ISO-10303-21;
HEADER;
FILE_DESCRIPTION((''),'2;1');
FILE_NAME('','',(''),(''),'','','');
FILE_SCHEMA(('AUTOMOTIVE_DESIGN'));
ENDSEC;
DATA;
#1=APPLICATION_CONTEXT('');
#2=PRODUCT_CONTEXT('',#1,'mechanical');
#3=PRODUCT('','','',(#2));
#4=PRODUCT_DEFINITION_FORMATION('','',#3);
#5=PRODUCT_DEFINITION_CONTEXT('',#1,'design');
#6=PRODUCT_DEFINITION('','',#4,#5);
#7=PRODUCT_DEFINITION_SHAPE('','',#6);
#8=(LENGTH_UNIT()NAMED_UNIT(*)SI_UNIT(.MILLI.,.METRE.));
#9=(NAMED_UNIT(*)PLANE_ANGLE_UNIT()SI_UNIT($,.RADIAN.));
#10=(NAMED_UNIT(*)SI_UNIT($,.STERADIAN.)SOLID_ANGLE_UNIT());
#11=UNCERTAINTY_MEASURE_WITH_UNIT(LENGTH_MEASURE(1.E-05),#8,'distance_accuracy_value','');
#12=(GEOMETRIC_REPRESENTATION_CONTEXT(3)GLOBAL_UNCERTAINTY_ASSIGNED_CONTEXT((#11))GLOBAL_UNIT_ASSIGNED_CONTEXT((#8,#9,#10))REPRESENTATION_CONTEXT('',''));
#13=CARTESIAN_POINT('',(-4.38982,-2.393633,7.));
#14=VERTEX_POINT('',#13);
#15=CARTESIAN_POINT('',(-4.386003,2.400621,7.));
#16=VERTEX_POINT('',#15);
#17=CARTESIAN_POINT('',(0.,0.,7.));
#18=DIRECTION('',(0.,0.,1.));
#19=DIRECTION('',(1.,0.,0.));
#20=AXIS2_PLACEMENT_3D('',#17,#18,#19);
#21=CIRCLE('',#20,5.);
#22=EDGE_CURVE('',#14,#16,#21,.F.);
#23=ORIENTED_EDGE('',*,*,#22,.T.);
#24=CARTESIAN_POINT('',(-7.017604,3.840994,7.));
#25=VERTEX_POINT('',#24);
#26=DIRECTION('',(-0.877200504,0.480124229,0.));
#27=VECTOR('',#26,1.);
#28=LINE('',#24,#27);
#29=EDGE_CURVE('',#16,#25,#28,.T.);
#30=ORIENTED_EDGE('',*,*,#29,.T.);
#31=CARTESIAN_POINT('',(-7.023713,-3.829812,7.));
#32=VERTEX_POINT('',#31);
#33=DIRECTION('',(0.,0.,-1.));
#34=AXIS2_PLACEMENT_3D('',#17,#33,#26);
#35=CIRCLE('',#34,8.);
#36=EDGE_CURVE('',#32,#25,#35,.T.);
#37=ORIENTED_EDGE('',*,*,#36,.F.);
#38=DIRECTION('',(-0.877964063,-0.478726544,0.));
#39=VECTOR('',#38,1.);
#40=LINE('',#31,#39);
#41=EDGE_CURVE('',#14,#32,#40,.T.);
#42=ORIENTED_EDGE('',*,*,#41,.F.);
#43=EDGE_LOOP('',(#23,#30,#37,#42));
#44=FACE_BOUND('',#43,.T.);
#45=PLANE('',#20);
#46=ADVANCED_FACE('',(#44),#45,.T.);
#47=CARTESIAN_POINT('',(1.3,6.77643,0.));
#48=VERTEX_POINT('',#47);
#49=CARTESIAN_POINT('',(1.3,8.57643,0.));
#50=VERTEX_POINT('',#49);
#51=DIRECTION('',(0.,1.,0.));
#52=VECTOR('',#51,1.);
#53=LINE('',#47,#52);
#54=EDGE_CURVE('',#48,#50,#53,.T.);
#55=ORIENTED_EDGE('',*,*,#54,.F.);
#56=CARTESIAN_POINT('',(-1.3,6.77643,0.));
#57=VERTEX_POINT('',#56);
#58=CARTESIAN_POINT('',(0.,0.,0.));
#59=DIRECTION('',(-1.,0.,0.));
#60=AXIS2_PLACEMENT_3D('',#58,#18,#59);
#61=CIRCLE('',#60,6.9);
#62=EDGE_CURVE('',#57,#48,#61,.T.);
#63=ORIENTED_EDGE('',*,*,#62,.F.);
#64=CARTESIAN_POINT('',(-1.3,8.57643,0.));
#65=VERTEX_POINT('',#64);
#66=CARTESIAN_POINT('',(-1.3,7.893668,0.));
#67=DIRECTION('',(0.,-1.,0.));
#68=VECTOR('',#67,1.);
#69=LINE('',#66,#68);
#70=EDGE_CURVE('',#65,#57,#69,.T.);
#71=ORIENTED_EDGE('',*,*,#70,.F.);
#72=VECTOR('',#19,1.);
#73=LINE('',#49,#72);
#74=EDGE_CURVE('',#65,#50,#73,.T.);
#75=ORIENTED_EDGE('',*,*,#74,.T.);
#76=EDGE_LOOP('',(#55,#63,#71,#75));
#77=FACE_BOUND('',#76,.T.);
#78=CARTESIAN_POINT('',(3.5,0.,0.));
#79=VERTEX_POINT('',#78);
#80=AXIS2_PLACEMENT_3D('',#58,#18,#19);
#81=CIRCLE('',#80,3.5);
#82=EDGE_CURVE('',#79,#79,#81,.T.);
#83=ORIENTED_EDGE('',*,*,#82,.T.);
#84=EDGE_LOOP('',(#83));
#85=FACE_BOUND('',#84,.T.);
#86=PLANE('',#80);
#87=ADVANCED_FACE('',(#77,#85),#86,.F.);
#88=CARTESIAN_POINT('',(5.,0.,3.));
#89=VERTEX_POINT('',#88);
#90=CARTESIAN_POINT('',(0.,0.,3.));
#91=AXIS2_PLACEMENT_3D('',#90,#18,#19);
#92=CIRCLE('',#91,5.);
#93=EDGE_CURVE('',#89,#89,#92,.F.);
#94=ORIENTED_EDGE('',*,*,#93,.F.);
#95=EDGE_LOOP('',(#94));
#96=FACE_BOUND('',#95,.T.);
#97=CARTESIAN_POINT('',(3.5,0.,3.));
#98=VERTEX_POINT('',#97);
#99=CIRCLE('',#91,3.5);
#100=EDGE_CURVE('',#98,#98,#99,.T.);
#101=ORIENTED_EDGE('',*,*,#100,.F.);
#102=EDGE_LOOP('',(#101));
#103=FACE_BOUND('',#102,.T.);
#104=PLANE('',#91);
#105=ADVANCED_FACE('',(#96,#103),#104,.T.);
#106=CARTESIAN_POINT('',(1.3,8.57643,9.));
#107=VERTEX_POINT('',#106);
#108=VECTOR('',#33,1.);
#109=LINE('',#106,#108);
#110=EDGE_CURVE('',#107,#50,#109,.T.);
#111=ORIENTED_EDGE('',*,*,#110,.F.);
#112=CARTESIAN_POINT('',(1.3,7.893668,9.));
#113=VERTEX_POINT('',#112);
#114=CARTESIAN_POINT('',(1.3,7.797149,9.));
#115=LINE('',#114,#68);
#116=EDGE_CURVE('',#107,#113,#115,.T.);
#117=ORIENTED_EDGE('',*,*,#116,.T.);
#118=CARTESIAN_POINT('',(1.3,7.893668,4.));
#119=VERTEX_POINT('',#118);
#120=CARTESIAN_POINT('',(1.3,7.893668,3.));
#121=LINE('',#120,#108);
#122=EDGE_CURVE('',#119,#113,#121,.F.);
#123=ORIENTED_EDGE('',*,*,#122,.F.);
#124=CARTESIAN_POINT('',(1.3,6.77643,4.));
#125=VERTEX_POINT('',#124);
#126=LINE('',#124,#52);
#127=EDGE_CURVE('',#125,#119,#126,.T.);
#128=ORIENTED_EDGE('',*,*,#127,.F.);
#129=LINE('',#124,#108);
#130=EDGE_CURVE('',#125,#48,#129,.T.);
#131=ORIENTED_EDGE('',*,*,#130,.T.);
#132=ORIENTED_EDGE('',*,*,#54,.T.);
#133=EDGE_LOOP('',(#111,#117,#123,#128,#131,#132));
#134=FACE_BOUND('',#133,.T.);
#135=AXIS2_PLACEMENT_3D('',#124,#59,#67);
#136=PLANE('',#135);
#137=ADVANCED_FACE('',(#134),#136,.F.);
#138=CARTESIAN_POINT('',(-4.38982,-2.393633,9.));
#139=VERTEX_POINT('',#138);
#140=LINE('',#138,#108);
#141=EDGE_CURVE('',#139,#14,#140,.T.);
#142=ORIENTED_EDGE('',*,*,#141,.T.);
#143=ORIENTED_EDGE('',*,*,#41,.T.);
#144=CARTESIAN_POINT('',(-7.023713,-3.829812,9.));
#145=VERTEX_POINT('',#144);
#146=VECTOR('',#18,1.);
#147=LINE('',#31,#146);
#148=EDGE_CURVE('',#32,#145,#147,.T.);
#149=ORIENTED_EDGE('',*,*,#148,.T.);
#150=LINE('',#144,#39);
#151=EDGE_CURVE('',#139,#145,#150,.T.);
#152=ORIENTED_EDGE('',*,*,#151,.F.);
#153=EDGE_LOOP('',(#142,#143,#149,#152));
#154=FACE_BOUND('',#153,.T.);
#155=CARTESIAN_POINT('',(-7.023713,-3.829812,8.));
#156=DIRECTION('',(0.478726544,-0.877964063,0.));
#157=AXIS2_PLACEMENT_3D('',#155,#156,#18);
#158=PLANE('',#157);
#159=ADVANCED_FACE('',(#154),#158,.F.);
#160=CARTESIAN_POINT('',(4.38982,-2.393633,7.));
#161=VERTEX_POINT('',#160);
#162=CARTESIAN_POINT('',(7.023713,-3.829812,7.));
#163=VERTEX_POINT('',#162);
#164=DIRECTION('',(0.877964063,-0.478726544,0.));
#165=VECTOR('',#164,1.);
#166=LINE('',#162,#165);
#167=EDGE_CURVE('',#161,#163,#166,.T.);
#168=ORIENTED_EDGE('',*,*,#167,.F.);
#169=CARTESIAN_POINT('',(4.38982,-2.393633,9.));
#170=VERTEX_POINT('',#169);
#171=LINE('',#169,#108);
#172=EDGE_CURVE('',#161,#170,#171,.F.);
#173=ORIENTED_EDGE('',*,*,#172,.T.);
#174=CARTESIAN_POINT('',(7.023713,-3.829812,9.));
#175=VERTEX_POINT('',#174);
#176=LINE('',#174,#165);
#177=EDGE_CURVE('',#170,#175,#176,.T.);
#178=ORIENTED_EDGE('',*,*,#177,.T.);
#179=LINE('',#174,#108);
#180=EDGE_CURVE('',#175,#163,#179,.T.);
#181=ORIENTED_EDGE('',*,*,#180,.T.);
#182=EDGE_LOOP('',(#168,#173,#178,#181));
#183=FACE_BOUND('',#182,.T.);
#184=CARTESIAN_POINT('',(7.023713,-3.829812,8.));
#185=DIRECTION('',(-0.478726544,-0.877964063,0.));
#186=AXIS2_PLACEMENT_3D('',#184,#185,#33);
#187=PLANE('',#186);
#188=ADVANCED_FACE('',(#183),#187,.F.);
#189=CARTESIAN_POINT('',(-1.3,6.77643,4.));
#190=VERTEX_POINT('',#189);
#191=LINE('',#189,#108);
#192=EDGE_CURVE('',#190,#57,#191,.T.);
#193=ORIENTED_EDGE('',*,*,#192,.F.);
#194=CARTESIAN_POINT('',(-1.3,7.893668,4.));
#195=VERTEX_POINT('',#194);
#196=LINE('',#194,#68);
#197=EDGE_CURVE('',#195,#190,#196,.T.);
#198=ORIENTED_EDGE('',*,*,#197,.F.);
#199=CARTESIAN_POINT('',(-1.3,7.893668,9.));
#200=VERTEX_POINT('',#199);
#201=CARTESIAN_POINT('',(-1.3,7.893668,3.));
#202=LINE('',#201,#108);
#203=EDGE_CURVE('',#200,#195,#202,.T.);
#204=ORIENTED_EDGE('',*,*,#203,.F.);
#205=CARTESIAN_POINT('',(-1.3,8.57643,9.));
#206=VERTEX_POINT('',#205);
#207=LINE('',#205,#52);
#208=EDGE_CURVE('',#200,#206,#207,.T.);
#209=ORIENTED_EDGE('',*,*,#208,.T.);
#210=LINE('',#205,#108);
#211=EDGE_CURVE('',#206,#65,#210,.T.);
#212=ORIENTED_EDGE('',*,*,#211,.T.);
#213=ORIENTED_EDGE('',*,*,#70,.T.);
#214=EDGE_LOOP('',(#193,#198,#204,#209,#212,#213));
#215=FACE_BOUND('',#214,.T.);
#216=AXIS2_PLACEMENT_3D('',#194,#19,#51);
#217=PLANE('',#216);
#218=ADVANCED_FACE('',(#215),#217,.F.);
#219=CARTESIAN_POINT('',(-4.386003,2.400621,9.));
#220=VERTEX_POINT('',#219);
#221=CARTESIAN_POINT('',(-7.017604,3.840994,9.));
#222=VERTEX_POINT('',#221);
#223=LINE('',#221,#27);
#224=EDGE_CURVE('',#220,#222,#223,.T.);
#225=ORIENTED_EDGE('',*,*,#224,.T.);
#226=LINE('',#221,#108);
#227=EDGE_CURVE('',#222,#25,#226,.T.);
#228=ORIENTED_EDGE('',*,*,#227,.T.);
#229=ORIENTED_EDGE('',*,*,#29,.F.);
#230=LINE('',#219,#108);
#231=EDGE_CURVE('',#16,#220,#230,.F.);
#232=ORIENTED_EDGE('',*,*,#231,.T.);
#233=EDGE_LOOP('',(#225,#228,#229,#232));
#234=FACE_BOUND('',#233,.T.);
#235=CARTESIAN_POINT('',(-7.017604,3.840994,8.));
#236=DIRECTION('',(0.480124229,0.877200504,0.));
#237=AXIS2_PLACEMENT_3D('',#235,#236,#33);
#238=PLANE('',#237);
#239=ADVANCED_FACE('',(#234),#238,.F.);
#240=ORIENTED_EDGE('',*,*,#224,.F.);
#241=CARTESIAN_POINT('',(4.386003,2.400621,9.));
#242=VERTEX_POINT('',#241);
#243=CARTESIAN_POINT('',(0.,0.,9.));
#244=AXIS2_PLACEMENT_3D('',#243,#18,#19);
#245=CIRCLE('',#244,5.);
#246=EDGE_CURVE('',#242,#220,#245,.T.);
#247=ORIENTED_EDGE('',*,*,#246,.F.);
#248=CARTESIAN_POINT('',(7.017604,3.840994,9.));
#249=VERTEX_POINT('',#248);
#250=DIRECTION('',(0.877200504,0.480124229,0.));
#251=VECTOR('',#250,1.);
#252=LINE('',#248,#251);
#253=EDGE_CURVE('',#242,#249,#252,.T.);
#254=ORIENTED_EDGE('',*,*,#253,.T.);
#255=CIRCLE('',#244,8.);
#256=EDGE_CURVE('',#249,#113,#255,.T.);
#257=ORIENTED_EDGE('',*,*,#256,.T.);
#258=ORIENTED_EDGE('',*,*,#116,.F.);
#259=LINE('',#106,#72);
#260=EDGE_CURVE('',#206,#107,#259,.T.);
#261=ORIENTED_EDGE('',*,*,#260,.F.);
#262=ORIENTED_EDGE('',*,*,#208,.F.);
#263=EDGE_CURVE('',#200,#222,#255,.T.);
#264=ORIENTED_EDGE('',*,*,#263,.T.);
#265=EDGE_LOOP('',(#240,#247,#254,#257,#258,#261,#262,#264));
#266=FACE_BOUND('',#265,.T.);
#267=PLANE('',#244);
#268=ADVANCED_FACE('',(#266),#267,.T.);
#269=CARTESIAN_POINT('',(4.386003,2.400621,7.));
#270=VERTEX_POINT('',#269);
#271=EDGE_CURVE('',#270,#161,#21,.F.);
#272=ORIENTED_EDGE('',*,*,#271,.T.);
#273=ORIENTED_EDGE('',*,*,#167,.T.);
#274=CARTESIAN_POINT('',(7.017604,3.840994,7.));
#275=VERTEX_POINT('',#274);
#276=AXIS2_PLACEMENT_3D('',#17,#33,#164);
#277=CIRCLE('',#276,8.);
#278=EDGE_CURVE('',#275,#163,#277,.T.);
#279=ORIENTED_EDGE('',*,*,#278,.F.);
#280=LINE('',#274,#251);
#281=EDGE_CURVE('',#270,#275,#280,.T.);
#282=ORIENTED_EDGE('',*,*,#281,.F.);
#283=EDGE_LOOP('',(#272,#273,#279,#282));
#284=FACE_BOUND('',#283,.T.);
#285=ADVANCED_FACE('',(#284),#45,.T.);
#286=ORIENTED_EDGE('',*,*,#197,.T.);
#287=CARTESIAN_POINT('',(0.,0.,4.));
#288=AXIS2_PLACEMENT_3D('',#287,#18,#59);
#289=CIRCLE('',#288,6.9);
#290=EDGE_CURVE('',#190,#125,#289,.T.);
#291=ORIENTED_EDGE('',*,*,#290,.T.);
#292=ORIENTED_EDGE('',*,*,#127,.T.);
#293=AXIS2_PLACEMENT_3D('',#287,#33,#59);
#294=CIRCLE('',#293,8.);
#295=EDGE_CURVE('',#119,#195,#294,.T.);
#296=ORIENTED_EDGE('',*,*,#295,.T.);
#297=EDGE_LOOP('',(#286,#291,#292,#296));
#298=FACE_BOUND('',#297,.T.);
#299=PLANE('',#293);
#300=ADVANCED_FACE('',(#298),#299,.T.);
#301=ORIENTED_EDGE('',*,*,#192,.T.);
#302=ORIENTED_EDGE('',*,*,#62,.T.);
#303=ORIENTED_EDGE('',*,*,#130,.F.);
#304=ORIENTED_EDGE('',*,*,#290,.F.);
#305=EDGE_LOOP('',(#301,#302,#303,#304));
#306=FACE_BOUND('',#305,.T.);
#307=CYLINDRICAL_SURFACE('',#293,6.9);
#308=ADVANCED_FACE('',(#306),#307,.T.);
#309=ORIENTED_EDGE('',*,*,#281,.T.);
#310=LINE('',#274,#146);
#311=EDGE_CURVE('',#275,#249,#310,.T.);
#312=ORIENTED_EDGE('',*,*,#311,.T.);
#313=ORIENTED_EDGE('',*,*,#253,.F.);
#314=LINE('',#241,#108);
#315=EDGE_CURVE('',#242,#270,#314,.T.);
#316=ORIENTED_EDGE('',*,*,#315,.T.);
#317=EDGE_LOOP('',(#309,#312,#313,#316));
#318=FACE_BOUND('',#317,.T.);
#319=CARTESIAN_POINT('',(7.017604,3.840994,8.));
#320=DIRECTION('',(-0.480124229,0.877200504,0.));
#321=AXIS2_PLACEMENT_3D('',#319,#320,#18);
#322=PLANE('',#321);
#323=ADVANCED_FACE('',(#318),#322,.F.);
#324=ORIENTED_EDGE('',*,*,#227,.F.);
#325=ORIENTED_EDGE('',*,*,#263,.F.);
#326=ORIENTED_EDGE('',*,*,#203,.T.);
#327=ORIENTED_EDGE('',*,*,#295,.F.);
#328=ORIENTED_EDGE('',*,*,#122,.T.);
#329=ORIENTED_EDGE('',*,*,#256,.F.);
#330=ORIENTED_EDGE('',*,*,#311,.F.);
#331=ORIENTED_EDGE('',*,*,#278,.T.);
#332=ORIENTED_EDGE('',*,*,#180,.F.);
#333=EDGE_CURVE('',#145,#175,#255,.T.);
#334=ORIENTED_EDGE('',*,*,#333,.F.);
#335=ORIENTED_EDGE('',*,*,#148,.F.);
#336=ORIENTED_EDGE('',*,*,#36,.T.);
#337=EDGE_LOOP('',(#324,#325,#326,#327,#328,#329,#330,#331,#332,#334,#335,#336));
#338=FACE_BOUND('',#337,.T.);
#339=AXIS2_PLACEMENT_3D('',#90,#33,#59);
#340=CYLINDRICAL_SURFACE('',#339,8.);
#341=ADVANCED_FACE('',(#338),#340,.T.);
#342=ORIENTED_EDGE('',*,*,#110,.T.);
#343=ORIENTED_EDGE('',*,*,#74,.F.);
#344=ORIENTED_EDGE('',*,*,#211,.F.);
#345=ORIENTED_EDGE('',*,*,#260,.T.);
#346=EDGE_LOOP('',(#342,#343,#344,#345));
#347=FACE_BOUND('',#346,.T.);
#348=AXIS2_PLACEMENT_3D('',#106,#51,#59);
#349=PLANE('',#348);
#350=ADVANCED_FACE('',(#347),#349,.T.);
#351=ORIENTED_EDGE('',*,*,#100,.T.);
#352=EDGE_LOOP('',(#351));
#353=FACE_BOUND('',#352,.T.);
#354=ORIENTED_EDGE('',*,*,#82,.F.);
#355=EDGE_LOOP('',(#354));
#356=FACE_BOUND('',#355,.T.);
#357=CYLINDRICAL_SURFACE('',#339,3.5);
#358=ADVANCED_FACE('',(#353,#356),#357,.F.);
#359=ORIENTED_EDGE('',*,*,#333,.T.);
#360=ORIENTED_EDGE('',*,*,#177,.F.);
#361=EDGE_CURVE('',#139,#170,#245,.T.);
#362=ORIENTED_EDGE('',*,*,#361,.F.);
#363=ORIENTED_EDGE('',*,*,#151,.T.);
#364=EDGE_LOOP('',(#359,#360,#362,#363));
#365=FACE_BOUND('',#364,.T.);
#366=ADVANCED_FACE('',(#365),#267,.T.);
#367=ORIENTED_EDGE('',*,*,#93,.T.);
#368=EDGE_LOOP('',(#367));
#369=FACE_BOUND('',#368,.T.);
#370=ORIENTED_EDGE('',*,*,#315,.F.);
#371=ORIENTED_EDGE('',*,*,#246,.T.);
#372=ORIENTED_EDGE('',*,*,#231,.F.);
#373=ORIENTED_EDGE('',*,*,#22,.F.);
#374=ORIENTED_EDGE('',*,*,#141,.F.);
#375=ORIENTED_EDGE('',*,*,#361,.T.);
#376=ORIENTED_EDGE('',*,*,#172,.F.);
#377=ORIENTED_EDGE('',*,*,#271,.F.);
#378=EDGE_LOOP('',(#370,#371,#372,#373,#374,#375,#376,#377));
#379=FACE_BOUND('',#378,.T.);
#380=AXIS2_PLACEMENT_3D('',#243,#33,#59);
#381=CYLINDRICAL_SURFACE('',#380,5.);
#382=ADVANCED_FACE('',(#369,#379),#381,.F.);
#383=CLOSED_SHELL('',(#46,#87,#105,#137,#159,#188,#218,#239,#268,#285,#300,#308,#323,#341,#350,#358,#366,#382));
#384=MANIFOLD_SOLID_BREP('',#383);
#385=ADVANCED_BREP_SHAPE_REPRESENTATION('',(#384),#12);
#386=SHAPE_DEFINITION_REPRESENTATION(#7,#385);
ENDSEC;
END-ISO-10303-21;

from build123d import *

# Parameters (mm, degrees)
SKETCH1_R                = 8
SKETCH1_R_2              = 3.5
BOSS_EXTRUDE1_DEPTH      = 3
SKETCH2_R                = 8
SKETCH2_R_2              = 5
BOSS_EXTRUDE2_DEPTH      = 6
WRAP3_SECTION_W          = 4
WRAP3_SECTION_H          = 2
WRAP3_ANGLE              = 57.295779513
WRAP3_SECTOR_2_SECTION_W = 4
WRAP3_SECTOR_2_SECTION_H = 2
WRAP3_SECTOR_2_ANGLE     = 57.295779513
CUT_EXTRUDE1_DEPTH       = 4
BOSS_EXTRUDE3_DEPTH      = 9


with BuildPart() as part:
    # Sketch1 → Boss-Extrude1 (new body)
    with BuildSketch(Plane.XY):
        Circle(SKETCH1_R)
        Circle(SKETCH1_R_2, mode=Mode.SUBTRACT)
    extrude(amount=BOSS_EXTRUDE1_DEPTH)

    # Sketch2 → Boss-Extrude2 (add)
    with BuildSketch(Plane.XY.offset(3)):
        Circle(SKETCH2_R)
        Circle(SKETCH2_R_2, mode=Mode.SUBTRACT)
    extrude(amount=BOSS_EXTRUDE2_DEPTH)

    # Wrap3 section (on wrap section) → Wrap3 (revolve, cut)
    with BuildSketch(Plane(origin=(0, 0, 0), x_dir=(-0.8779640629990781, -0.4787265441587198, 0), z_dir=(0.4787265441587198, -0.8779640629990781, 0))):
        with Locations((6, -8)):
            Rectangle(WRAP3_SECTION_W, WRAP3_SECTION_H)
    revolve(axis=Axis((0, 0, 0), (0, 0, -1)), revolution_arc=WRAP3_ANGLE, mode=Mode.SUBTRACT)

    # Wrap3 sector 2 section (on wrap section) → Wrap3 sector 2 (revolve, cut)
    with BuildSketch(Plane(origin=(0, 0, 0), x_dir=(0.8772005042746819, 0.4801242290285337, 0), z_dir=(-0.4801242290285337, 0.8772005042746819, 0))):
        with Locations((6, -8)):
            Rectangle(WRAP3_SECTOR_2_SECTION_W, WRAP3_SECTOR_2_SECTION_H)
    revolve(axis=Axis((0, 0, 0), (0, 0, -1)), revolution_arc=WRAP3_SECTOR_2_ANGLE, mode=Mode.SUBTRACT)

    # Sketch5 → Cut-Extrude1 (cut)
    with BuildSketch(Plane(origin=(0, 0, 0), x_dir=(-1, 0, 0), z_dir=(0, 0, -1))):
        with BuildLine():
            Line((-1.3, 6.776429738), (-1.3, 7.893668349))
            ThreePointArc((-1.3, 7.893668349), (0, -8), (1.3, 7.893668349))
            Line((1.3, 7.893668349), (1.3, 6.776429738))
            ThreePointArc((1.3, 6.776429738), (0, -6.9), (-1.3, 6.776429738))
        make_face()
    extrude(amount=-CUT_EXTRUDE1_DEPTH, mode=Mode.SUBTRACT)

    # Sketch6 → Boss-Extrude3 (add)
    with BuildSketch(Plane(origin=(0, 0, 0), x_dir=(-1, 0, 0), z_dir=(0, 0, -1))):
        with BuildLine():
            Line((-1.3, 7.797149396), (-1.3, 8.576429738))
            Line((-1.3, 8.576429738), (1.3, 8.576429738))
            Line((1.3, 8.576429738), (1.3, 7.797149396))
            ThreePointArc((1.3, 7.797149396), (0, 7.903481047), (-1.3, 7.797149396))
        make_face()
    extrude(amount=-BOSS_EXTRUDE3_DEPTH)


solid = part.part
